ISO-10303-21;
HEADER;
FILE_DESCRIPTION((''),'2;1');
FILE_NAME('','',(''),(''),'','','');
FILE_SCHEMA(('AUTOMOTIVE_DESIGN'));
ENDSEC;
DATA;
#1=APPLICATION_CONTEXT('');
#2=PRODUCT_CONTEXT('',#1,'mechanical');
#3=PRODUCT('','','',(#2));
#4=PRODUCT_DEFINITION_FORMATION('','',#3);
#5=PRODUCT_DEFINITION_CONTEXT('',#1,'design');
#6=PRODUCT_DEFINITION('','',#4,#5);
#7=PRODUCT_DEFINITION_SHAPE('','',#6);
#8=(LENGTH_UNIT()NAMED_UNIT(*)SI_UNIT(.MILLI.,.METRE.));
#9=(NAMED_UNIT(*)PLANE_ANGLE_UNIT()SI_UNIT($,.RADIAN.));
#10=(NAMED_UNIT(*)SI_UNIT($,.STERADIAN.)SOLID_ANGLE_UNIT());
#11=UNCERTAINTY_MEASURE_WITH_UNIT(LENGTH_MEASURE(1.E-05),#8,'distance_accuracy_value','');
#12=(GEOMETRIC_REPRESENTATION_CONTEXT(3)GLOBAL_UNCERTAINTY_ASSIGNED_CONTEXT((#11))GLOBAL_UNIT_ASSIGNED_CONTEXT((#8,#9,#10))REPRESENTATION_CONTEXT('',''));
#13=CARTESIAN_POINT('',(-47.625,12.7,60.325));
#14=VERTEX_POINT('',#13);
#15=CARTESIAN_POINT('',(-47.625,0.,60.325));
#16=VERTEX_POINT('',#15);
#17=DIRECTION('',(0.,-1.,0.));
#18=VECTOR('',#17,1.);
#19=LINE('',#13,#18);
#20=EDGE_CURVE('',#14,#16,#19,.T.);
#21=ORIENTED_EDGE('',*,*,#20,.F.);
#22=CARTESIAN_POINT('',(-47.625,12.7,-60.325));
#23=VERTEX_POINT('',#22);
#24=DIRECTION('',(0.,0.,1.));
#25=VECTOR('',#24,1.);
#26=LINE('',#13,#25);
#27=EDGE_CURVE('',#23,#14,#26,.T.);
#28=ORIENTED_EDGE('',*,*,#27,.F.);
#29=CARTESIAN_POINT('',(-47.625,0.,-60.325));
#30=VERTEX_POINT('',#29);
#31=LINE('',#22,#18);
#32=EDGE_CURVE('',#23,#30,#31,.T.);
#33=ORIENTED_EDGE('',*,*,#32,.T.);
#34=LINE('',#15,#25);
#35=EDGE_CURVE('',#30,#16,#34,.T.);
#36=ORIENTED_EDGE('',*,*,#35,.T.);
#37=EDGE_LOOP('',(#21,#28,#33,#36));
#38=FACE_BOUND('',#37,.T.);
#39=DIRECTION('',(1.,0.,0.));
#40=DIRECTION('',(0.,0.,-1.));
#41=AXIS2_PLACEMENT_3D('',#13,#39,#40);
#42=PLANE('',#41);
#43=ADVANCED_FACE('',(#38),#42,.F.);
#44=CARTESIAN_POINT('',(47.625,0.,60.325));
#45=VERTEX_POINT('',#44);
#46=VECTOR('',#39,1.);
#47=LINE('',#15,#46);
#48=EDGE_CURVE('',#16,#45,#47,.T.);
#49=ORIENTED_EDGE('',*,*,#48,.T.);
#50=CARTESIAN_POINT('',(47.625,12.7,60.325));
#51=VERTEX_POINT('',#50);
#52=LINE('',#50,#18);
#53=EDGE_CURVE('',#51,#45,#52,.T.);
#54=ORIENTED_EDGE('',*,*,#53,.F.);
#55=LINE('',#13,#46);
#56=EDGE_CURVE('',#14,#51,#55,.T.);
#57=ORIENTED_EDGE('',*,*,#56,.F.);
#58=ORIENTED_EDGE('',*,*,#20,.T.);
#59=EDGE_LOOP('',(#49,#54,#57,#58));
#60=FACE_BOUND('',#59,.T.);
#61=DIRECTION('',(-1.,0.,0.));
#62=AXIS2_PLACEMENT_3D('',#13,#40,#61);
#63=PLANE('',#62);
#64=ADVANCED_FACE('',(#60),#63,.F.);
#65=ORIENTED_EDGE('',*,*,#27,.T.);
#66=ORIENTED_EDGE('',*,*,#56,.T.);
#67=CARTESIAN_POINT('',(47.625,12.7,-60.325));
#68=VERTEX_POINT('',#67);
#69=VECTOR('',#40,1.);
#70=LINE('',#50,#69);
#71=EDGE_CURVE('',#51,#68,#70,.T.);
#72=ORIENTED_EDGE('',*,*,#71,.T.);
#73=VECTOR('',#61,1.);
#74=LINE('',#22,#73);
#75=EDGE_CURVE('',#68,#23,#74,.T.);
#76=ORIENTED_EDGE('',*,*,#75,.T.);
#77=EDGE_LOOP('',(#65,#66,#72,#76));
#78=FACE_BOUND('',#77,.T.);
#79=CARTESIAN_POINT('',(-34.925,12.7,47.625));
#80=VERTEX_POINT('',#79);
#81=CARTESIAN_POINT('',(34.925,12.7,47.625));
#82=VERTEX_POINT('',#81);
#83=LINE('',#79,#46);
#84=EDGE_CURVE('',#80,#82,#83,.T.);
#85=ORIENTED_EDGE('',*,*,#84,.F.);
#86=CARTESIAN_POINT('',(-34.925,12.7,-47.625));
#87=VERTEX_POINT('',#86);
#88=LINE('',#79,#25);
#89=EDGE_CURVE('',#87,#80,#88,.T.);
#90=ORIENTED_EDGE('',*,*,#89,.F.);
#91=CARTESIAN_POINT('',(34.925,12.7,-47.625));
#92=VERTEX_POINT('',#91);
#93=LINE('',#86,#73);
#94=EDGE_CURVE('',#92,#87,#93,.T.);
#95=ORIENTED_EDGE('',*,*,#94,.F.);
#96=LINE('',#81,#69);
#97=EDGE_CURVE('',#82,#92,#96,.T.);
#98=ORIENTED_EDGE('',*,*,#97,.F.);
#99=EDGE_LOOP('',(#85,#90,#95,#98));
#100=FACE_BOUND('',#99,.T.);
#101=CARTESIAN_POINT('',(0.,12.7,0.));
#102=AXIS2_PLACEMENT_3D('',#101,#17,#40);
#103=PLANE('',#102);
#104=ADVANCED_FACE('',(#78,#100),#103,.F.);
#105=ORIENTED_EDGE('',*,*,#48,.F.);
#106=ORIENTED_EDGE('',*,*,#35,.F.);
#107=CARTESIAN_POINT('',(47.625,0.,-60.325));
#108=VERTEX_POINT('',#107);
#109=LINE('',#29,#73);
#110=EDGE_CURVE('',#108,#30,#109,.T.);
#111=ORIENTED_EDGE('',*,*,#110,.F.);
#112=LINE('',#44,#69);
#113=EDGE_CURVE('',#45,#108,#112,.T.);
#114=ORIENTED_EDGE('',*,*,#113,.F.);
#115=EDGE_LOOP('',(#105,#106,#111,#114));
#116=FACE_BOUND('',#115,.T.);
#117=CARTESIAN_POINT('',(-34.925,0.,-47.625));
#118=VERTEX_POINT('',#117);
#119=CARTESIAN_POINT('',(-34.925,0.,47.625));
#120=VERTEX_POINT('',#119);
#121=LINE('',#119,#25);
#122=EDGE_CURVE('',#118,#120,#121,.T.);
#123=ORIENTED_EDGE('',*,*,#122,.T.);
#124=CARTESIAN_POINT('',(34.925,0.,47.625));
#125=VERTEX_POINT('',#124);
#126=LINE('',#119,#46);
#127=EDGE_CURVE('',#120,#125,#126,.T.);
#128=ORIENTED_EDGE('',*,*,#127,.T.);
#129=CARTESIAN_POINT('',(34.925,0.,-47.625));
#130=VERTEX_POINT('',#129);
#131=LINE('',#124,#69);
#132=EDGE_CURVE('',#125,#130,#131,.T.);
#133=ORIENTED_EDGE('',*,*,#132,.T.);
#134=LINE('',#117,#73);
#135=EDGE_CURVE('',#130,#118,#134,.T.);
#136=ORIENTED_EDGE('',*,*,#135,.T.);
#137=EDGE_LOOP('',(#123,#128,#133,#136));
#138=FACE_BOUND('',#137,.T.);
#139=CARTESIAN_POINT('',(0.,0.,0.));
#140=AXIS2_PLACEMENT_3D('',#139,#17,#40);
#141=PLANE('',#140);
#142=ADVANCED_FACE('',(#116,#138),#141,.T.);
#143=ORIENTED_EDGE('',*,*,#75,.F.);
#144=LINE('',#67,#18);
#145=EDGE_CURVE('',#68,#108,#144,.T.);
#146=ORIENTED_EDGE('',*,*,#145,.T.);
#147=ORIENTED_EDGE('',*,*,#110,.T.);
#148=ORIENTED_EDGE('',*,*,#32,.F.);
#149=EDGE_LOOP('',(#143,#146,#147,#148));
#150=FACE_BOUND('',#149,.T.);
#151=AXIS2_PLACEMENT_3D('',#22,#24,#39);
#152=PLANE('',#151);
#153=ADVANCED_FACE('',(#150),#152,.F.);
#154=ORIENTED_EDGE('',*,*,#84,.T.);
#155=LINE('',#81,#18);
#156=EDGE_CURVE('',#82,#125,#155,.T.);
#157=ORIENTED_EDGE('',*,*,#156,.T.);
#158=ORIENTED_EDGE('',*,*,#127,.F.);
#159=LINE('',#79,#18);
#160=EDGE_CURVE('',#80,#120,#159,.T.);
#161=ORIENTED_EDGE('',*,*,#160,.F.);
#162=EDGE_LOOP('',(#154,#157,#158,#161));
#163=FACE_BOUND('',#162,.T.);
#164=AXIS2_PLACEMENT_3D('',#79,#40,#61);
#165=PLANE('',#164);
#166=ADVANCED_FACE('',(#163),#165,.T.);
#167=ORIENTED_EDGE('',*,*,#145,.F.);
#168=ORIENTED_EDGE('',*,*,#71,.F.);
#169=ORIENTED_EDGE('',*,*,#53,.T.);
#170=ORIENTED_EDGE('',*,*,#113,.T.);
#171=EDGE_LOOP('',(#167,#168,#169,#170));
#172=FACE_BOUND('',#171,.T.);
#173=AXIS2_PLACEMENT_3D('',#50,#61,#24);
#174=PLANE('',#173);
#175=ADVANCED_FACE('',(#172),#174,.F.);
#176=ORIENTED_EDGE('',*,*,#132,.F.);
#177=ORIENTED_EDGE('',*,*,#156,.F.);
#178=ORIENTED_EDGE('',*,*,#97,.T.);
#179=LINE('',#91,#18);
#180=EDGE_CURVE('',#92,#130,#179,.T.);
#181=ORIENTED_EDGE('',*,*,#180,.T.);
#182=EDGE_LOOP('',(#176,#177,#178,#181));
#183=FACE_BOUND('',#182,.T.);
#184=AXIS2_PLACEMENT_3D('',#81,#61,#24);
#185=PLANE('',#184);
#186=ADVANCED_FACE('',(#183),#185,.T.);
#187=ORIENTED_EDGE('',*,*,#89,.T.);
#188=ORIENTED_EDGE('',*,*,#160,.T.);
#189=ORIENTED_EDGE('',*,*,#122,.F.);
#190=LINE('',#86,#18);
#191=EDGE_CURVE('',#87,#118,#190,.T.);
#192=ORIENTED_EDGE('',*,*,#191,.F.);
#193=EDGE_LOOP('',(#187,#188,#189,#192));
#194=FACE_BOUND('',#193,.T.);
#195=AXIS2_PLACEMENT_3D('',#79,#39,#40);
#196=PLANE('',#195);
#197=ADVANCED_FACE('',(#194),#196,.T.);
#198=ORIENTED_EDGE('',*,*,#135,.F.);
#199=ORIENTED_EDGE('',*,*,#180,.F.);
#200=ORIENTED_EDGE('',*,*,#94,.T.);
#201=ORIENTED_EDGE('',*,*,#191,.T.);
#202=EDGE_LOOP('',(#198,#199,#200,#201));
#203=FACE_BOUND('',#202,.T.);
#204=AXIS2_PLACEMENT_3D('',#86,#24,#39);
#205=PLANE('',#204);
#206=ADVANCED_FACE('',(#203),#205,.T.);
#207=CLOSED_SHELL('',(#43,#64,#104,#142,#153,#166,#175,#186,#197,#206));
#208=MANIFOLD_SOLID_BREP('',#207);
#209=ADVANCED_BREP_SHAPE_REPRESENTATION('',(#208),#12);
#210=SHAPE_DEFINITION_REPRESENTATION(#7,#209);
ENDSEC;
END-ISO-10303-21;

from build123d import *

# Parameters (mm, degrees)
SKETCH1_W           = 95.25
SKETCH1_H           = 120.65
SKETCH1_W_2         = 69.85
SKETCH1_H_2         = 95.25
BOSS_EXTRUDE1_DEPTH = 12.7


with BuildPart() as part:
    # Sketch1 → Boss-Extrude1 (new body)
    with BuildSketch(Plane(origin=(0, 0, 0), x_dir=(1, 0, 0), z_dir=(0, 1, 0))):
        Rectangle(SKETCH1_W, SKETCH1_H)
        Rectangle(SKETCH1_W_2, SKETCH1_H_2, mode=Mode.SUBTRACT)
    extrude(amount=BOSS_EXTRUDE1_DEPTH)


solid = part.part
